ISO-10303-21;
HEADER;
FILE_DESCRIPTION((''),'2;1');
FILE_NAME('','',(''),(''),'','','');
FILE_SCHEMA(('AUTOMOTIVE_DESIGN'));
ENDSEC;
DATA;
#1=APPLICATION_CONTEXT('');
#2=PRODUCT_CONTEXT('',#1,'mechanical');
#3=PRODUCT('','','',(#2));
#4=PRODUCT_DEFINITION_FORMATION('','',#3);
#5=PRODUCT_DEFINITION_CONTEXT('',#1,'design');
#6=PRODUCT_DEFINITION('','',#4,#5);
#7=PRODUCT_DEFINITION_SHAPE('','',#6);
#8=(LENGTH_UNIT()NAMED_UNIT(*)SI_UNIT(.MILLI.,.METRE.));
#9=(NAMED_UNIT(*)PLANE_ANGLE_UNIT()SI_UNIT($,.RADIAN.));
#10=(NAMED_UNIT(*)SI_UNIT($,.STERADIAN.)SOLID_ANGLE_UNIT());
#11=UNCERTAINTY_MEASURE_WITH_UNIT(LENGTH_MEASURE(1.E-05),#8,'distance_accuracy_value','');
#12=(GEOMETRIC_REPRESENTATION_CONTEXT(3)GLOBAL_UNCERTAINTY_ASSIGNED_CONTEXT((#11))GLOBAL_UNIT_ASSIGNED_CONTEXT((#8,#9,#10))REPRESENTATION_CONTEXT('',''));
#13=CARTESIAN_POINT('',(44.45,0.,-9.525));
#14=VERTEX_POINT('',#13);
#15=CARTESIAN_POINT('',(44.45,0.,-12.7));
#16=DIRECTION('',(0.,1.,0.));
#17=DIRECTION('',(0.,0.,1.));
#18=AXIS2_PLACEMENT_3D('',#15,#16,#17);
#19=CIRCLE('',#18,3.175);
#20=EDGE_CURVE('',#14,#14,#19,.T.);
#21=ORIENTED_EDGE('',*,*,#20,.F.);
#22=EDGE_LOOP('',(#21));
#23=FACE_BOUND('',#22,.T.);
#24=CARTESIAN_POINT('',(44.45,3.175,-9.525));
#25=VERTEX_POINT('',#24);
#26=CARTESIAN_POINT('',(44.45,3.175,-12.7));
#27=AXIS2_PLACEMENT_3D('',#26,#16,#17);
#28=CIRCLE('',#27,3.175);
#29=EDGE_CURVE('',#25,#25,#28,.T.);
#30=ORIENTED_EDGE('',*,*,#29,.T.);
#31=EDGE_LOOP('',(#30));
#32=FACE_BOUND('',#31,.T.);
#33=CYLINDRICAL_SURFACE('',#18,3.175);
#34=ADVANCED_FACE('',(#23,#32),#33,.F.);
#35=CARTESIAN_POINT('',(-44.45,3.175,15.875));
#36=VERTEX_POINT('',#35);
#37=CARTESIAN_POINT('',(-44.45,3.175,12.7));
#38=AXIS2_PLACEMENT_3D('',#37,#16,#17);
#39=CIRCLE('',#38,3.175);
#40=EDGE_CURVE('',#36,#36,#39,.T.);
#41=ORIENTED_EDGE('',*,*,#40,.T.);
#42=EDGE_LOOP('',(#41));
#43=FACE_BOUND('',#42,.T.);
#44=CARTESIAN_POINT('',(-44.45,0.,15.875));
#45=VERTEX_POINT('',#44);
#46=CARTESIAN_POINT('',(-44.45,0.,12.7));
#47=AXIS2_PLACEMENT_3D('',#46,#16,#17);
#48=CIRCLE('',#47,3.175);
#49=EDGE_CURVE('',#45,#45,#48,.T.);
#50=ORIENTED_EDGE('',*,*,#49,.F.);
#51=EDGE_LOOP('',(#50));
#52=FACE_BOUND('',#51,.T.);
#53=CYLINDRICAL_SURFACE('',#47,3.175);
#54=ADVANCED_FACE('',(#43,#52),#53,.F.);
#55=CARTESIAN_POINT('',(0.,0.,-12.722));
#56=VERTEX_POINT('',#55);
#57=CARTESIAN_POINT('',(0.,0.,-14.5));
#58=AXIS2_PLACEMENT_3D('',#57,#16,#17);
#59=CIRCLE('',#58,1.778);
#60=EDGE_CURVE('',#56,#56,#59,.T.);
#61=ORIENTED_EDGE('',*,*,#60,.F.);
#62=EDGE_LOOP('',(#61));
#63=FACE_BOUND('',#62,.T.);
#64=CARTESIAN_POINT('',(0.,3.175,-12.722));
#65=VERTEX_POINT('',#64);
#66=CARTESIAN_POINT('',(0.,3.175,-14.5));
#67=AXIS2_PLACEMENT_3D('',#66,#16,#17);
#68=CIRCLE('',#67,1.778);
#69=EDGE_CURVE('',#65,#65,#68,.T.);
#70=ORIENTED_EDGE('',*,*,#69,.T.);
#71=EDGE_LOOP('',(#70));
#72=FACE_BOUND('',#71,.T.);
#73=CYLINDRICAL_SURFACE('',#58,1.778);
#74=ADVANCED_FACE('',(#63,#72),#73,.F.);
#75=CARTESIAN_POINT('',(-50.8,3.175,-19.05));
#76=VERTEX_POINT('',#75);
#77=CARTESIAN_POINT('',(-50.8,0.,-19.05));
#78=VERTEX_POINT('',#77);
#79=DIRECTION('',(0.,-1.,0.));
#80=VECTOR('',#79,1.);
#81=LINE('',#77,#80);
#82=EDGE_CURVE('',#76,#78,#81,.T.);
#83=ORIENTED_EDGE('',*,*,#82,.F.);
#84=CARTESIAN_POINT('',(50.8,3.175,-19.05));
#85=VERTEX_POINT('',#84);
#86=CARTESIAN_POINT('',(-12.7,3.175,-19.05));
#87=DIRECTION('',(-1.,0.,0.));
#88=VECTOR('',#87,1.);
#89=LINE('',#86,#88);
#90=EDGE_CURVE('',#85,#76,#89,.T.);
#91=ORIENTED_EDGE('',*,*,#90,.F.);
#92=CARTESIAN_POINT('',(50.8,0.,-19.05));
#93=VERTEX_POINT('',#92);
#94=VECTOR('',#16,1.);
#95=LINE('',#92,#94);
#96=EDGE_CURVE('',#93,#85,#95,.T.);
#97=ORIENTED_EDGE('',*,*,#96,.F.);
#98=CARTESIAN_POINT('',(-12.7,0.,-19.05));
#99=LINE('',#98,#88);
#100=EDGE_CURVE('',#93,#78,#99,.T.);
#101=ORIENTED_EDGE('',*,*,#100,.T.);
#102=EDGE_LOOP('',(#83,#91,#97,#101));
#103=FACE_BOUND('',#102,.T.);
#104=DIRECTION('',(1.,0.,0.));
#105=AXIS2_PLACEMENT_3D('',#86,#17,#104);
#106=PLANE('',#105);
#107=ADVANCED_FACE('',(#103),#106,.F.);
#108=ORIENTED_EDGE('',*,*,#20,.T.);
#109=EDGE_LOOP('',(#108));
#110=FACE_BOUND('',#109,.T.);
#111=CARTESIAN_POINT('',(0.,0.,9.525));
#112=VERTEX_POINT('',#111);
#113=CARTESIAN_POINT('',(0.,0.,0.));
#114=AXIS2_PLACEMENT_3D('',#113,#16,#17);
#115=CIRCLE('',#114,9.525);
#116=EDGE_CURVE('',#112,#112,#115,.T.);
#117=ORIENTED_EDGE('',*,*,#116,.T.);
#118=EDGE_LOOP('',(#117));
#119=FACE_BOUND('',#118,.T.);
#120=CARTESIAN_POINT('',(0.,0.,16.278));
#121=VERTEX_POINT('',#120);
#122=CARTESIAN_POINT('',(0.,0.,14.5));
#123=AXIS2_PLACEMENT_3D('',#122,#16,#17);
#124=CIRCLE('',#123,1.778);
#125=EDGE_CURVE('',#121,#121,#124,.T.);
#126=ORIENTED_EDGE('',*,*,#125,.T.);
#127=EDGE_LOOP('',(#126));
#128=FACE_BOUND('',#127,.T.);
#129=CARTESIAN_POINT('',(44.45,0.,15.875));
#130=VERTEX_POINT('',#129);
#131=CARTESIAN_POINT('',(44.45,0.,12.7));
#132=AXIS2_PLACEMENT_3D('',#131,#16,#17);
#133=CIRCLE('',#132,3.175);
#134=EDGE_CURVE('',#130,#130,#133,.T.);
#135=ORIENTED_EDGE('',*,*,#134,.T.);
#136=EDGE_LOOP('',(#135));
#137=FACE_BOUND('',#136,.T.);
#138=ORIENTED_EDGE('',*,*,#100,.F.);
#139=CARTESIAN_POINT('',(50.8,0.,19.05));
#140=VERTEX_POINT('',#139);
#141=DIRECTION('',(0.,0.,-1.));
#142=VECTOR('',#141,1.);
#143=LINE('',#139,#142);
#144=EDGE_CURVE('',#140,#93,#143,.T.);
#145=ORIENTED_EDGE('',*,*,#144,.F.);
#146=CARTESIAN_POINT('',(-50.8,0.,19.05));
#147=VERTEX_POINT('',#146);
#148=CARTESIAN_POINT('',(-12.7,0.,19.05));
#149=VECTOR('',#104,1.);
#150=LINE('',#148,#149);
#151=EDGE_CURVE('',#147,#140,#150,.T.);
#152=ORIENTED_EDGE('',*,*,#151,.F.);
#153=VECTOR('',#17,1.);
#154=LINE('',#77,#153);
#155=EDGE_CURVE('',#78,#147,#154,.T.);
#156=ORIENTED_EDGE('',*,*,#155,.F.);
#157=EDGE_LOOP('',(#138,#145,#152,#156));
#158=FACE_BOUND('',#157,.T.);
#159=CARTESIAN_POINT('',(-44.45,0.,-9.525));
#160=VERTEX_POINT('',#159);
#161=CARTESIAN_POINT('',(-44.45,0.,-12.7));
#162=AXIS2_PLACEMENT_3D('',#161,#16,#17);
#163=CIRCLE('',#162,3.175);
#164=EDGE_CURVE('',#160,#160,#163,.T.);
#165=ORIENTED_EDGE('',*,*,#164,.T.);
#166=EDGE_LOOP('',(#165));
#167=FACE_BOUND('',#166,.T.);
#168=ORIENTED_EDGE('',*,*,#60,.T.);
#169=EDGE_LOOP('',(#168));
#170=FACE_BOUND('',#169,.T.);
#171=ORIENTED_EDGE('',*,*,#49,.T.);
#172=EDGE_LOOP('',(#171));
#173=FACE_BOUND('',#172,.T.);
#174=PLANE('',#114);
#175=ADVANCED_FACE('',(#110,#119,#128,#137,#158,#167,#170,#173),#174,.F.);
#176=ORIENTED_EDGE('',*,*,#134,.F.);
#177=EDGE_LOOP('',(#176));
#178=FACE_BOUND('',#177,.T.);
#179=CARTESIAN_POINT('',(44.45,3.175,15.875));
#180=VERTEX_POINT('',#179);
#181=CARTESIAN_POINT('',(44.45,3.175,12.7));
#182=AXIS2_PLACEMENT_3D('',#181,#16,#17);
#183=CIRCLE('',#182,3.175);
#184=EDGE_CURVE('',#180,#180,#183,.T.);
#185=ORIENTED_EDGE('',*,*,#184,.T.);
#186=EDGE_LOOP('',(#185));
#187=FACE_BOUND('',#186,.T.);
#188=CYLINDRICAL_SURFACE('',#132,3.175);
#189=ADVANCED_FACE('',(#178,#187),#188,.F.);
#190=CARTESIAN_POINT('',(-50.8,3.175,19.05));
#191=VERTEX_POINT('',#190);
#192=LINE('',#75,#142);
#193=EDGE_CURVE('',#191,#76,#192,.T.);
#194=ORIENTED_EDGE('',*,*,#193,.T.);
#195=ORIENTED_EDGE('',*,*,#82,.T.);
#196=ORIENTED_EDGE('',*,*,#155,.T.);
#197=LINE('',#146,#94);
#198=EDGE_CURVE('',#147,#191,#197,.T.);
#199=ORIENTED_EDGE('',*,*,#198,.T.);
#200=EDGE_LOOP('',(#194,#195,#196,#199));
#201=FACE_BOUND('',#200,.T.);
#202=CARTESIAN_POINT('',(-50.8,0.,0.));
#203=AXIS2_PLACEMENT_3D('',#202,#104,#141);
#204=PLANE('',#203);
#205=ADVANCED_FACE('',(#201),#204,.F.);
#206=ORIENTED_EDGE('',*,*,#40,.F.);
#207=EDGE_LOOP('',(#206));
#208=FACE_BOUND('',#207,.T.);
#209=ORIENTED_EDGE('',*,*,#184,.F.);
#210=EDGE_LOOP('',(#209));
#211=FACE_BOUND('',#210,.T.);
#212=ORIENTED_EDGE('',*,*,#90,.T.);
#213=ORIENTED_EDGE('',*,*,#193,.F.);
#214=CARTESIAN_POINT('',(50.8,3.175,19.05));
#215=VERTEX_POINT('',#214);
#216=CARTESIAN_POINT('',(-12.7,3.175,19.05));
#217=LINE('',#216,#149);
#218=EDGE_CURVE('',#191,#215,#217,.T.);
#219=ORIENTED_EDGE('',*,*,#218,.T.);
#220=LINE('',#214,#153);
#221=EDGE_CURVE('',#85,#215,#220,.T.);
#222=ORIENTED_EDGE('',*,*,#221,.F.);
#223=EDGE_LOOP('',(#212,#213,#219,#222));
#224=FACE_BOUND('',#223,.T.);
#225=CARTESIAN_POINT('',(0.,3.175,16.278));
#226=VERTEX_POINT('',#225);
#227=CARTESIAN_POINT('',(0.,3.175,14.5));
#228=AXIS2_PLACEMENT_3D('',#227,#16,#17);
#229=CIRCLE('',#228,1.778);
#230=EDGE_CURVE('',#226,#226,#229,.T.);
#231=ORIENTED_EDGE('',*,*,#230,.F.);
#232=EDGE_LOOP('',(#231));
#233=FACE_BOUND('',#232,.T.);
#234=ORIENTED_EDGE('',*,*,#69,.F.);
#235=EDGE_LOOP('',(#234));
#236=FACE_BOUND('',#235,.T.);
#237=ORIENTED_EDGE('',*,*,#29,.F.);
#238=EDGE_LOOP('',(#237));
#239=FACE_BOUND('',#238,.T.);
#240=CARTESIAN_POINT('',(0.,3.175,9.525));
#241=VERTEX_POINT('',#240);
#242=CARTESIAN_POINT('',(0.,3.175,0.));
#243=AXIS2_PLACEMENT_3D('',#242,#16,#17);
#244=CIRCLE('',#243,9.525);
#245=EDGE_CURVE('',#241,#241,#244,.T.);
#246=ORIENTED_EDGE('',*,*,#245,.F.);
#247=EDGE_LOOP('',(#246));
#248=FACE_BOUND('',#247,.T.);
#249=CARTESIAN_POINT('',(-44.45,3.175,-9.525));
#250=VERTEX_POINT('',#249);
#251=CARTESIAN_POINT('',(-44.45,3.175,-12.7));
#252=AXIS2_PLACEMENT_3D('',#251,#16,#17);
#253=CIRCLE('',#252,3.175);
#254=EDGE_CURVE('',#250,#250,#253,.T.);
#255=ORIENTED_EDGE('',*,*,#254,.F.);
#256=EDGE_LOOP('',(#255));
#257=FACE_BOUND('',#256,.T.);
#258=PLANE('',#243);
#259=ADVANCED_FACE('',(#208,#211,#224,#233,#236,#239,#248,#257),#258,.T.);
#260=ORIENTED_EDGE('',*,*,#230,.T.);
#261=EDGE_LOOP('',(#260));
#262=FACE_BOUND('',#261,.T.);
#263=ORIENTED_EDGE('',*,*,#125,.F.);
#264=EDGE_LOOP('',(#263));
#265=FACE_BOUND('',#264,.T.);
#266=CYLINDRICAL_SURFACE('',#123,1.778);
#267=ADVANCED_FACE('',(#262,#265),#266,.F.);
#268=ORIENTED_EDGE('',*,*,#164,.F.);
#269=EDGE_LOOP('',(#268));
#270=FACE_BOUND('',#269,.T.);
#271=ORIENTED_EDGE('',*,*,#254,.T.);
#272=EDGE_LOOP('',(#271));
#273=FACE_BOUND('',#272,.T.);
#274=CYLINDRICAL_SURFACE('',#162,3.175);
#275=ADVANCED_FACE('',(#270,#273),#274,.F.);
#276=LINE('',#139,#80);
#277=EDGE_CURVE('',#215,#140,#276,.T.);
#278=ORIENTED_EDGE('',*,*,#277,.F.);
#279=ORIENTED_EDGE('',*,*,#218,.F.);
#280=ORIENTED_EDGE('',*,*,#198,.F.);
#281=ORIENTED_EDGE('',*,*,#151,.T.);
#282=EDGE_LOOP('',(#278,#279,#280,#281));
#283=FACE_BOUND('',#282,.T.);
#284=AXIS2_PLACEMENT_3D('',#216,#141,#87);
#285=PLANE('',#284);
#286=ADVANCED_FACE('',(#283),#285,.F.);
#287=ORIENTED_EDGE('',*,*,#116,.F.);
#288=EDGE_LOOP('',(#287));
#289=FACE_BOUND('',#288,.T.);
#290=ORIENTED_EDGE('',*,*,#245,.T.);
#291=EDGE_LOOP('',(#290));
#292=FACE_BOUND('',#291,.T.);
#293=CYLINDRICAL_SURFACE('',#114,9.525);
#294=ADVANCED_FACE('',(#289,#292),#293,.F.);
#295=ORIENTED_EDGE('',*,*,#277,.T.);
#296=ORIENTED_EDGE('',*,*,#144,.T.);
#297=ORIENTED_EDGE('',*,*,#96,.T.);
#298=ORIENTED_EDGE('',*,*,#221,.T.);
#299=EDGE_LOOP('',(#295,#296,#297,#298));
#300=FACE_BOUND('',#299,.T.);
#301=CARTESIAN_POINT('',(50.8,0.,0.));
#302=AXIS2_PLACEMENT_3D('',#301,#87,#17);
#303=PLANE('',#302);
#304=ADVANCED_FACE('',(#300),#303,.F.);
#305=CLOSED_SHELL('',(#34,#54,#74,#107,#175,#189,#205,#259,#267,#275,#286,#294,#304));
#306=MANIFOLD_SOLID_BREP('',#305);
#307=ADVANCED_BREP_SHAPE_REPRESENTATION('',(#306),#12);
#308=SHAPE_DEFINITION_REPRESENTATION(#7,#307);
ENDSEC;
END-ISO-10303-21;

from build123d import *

# Parameters (mm, degrees)
SKETCH1_W           = 25.4
SKETCH1_H           = 38.1
BOSS_EXTRUDE1_DEPTH = 3.175
SKETCH2_R           = 9.525
SKETCH2_R_2         = 1.778
CUT_EXTRUDE1_DEPTH  = 3.175
SKETCH3_W           = 38.1
SKETCH3_H           = 3.175
BOSS_EXTRUDE2_DEPTH = 38.1
SKETCH6_W           = 38.1
SKETCH6_H           = 3.175
BOSS_EXTRUDE4_DEPTH = 38.1
SKETCH4_R           = 3.175
CUT_EXTRUDE2_DEPTH  = 4.175


with BuildPart() as part:
    # Sketch1 → Boss-Extrude1 (new body)
    with BuildSketch(Plane(origin=(0, 0, 0), x_dir=(1, 0, 0), z_dir=(0, 1, 0))):
        Rectangle(SKETCH1_W, SKETCH1_H)
    extrude(amount=BOSS_EXTRUDE1_DEPTH)

    # Sketch2 → Cut-Extrude1 (cut)
    with BuildSketch(Plane(origin=(0, 3.175, 0), x_dir=(1, 0, 0), z_dir=(0, 1, 0))):
        Circle(SKETCH2_R)
        with Locations((0, -14.5)):
            Circle(SKETCH2_R_2)
        with Locations((0, 14.5)):
            Circle(SKETCH2_R_2)
    extrude(amount=-CUT_EXTRUDE1_DEPTH, mode=Mode.SUBTRACT)

    # Sketch3 → Boss-Extrude2 (add)
    with BuildSketch(Plane.ZY.offset(12.7)):
        with Locations((0, 1.5875)):
            Rectangle(SKETCH3_W, SKETCH3_H)
    extrude(amount=BOSS_EXTRUDE2_DEPTH)

    # Sketch6 → Boss-Extrude4 (add)
    with BuildSketch(Plane(origin=(12.7, 0, 0), x_dir=(0, 0, -1), z_dir=(1, 0, 0))):
        with Locations((0, 1.5875)):
            Rectangle(SKETCH6_W, SKETCH6_H)
    extrude(amount=BOSS_EXTRUDE4_DEPTH)

    # Sketch4 → Cut-Extrude2 (cut, through all)
    with BuildSketch(Plane(origin=(0, 3.175, 0), x_dir=(1, 0, 0), z_dir=(0, 1, 0))):
        with Locations((-44.45, 12.7)):
            Circle(SKETCH4_R)
        with Locations((-44.45, -12.7)):
            Circle(SKETCH4_R)
        with Locations((44.45, -12.7)):
            Circle(SKETCH4_R)
        with Locations((44.45, 12.7)):
            Circle(SKETCH4_R)
    extrude(amount=-CUT_EXTRUDE2_DEPTH, mode=Mode.SUBTRACT)


solid = part.part
